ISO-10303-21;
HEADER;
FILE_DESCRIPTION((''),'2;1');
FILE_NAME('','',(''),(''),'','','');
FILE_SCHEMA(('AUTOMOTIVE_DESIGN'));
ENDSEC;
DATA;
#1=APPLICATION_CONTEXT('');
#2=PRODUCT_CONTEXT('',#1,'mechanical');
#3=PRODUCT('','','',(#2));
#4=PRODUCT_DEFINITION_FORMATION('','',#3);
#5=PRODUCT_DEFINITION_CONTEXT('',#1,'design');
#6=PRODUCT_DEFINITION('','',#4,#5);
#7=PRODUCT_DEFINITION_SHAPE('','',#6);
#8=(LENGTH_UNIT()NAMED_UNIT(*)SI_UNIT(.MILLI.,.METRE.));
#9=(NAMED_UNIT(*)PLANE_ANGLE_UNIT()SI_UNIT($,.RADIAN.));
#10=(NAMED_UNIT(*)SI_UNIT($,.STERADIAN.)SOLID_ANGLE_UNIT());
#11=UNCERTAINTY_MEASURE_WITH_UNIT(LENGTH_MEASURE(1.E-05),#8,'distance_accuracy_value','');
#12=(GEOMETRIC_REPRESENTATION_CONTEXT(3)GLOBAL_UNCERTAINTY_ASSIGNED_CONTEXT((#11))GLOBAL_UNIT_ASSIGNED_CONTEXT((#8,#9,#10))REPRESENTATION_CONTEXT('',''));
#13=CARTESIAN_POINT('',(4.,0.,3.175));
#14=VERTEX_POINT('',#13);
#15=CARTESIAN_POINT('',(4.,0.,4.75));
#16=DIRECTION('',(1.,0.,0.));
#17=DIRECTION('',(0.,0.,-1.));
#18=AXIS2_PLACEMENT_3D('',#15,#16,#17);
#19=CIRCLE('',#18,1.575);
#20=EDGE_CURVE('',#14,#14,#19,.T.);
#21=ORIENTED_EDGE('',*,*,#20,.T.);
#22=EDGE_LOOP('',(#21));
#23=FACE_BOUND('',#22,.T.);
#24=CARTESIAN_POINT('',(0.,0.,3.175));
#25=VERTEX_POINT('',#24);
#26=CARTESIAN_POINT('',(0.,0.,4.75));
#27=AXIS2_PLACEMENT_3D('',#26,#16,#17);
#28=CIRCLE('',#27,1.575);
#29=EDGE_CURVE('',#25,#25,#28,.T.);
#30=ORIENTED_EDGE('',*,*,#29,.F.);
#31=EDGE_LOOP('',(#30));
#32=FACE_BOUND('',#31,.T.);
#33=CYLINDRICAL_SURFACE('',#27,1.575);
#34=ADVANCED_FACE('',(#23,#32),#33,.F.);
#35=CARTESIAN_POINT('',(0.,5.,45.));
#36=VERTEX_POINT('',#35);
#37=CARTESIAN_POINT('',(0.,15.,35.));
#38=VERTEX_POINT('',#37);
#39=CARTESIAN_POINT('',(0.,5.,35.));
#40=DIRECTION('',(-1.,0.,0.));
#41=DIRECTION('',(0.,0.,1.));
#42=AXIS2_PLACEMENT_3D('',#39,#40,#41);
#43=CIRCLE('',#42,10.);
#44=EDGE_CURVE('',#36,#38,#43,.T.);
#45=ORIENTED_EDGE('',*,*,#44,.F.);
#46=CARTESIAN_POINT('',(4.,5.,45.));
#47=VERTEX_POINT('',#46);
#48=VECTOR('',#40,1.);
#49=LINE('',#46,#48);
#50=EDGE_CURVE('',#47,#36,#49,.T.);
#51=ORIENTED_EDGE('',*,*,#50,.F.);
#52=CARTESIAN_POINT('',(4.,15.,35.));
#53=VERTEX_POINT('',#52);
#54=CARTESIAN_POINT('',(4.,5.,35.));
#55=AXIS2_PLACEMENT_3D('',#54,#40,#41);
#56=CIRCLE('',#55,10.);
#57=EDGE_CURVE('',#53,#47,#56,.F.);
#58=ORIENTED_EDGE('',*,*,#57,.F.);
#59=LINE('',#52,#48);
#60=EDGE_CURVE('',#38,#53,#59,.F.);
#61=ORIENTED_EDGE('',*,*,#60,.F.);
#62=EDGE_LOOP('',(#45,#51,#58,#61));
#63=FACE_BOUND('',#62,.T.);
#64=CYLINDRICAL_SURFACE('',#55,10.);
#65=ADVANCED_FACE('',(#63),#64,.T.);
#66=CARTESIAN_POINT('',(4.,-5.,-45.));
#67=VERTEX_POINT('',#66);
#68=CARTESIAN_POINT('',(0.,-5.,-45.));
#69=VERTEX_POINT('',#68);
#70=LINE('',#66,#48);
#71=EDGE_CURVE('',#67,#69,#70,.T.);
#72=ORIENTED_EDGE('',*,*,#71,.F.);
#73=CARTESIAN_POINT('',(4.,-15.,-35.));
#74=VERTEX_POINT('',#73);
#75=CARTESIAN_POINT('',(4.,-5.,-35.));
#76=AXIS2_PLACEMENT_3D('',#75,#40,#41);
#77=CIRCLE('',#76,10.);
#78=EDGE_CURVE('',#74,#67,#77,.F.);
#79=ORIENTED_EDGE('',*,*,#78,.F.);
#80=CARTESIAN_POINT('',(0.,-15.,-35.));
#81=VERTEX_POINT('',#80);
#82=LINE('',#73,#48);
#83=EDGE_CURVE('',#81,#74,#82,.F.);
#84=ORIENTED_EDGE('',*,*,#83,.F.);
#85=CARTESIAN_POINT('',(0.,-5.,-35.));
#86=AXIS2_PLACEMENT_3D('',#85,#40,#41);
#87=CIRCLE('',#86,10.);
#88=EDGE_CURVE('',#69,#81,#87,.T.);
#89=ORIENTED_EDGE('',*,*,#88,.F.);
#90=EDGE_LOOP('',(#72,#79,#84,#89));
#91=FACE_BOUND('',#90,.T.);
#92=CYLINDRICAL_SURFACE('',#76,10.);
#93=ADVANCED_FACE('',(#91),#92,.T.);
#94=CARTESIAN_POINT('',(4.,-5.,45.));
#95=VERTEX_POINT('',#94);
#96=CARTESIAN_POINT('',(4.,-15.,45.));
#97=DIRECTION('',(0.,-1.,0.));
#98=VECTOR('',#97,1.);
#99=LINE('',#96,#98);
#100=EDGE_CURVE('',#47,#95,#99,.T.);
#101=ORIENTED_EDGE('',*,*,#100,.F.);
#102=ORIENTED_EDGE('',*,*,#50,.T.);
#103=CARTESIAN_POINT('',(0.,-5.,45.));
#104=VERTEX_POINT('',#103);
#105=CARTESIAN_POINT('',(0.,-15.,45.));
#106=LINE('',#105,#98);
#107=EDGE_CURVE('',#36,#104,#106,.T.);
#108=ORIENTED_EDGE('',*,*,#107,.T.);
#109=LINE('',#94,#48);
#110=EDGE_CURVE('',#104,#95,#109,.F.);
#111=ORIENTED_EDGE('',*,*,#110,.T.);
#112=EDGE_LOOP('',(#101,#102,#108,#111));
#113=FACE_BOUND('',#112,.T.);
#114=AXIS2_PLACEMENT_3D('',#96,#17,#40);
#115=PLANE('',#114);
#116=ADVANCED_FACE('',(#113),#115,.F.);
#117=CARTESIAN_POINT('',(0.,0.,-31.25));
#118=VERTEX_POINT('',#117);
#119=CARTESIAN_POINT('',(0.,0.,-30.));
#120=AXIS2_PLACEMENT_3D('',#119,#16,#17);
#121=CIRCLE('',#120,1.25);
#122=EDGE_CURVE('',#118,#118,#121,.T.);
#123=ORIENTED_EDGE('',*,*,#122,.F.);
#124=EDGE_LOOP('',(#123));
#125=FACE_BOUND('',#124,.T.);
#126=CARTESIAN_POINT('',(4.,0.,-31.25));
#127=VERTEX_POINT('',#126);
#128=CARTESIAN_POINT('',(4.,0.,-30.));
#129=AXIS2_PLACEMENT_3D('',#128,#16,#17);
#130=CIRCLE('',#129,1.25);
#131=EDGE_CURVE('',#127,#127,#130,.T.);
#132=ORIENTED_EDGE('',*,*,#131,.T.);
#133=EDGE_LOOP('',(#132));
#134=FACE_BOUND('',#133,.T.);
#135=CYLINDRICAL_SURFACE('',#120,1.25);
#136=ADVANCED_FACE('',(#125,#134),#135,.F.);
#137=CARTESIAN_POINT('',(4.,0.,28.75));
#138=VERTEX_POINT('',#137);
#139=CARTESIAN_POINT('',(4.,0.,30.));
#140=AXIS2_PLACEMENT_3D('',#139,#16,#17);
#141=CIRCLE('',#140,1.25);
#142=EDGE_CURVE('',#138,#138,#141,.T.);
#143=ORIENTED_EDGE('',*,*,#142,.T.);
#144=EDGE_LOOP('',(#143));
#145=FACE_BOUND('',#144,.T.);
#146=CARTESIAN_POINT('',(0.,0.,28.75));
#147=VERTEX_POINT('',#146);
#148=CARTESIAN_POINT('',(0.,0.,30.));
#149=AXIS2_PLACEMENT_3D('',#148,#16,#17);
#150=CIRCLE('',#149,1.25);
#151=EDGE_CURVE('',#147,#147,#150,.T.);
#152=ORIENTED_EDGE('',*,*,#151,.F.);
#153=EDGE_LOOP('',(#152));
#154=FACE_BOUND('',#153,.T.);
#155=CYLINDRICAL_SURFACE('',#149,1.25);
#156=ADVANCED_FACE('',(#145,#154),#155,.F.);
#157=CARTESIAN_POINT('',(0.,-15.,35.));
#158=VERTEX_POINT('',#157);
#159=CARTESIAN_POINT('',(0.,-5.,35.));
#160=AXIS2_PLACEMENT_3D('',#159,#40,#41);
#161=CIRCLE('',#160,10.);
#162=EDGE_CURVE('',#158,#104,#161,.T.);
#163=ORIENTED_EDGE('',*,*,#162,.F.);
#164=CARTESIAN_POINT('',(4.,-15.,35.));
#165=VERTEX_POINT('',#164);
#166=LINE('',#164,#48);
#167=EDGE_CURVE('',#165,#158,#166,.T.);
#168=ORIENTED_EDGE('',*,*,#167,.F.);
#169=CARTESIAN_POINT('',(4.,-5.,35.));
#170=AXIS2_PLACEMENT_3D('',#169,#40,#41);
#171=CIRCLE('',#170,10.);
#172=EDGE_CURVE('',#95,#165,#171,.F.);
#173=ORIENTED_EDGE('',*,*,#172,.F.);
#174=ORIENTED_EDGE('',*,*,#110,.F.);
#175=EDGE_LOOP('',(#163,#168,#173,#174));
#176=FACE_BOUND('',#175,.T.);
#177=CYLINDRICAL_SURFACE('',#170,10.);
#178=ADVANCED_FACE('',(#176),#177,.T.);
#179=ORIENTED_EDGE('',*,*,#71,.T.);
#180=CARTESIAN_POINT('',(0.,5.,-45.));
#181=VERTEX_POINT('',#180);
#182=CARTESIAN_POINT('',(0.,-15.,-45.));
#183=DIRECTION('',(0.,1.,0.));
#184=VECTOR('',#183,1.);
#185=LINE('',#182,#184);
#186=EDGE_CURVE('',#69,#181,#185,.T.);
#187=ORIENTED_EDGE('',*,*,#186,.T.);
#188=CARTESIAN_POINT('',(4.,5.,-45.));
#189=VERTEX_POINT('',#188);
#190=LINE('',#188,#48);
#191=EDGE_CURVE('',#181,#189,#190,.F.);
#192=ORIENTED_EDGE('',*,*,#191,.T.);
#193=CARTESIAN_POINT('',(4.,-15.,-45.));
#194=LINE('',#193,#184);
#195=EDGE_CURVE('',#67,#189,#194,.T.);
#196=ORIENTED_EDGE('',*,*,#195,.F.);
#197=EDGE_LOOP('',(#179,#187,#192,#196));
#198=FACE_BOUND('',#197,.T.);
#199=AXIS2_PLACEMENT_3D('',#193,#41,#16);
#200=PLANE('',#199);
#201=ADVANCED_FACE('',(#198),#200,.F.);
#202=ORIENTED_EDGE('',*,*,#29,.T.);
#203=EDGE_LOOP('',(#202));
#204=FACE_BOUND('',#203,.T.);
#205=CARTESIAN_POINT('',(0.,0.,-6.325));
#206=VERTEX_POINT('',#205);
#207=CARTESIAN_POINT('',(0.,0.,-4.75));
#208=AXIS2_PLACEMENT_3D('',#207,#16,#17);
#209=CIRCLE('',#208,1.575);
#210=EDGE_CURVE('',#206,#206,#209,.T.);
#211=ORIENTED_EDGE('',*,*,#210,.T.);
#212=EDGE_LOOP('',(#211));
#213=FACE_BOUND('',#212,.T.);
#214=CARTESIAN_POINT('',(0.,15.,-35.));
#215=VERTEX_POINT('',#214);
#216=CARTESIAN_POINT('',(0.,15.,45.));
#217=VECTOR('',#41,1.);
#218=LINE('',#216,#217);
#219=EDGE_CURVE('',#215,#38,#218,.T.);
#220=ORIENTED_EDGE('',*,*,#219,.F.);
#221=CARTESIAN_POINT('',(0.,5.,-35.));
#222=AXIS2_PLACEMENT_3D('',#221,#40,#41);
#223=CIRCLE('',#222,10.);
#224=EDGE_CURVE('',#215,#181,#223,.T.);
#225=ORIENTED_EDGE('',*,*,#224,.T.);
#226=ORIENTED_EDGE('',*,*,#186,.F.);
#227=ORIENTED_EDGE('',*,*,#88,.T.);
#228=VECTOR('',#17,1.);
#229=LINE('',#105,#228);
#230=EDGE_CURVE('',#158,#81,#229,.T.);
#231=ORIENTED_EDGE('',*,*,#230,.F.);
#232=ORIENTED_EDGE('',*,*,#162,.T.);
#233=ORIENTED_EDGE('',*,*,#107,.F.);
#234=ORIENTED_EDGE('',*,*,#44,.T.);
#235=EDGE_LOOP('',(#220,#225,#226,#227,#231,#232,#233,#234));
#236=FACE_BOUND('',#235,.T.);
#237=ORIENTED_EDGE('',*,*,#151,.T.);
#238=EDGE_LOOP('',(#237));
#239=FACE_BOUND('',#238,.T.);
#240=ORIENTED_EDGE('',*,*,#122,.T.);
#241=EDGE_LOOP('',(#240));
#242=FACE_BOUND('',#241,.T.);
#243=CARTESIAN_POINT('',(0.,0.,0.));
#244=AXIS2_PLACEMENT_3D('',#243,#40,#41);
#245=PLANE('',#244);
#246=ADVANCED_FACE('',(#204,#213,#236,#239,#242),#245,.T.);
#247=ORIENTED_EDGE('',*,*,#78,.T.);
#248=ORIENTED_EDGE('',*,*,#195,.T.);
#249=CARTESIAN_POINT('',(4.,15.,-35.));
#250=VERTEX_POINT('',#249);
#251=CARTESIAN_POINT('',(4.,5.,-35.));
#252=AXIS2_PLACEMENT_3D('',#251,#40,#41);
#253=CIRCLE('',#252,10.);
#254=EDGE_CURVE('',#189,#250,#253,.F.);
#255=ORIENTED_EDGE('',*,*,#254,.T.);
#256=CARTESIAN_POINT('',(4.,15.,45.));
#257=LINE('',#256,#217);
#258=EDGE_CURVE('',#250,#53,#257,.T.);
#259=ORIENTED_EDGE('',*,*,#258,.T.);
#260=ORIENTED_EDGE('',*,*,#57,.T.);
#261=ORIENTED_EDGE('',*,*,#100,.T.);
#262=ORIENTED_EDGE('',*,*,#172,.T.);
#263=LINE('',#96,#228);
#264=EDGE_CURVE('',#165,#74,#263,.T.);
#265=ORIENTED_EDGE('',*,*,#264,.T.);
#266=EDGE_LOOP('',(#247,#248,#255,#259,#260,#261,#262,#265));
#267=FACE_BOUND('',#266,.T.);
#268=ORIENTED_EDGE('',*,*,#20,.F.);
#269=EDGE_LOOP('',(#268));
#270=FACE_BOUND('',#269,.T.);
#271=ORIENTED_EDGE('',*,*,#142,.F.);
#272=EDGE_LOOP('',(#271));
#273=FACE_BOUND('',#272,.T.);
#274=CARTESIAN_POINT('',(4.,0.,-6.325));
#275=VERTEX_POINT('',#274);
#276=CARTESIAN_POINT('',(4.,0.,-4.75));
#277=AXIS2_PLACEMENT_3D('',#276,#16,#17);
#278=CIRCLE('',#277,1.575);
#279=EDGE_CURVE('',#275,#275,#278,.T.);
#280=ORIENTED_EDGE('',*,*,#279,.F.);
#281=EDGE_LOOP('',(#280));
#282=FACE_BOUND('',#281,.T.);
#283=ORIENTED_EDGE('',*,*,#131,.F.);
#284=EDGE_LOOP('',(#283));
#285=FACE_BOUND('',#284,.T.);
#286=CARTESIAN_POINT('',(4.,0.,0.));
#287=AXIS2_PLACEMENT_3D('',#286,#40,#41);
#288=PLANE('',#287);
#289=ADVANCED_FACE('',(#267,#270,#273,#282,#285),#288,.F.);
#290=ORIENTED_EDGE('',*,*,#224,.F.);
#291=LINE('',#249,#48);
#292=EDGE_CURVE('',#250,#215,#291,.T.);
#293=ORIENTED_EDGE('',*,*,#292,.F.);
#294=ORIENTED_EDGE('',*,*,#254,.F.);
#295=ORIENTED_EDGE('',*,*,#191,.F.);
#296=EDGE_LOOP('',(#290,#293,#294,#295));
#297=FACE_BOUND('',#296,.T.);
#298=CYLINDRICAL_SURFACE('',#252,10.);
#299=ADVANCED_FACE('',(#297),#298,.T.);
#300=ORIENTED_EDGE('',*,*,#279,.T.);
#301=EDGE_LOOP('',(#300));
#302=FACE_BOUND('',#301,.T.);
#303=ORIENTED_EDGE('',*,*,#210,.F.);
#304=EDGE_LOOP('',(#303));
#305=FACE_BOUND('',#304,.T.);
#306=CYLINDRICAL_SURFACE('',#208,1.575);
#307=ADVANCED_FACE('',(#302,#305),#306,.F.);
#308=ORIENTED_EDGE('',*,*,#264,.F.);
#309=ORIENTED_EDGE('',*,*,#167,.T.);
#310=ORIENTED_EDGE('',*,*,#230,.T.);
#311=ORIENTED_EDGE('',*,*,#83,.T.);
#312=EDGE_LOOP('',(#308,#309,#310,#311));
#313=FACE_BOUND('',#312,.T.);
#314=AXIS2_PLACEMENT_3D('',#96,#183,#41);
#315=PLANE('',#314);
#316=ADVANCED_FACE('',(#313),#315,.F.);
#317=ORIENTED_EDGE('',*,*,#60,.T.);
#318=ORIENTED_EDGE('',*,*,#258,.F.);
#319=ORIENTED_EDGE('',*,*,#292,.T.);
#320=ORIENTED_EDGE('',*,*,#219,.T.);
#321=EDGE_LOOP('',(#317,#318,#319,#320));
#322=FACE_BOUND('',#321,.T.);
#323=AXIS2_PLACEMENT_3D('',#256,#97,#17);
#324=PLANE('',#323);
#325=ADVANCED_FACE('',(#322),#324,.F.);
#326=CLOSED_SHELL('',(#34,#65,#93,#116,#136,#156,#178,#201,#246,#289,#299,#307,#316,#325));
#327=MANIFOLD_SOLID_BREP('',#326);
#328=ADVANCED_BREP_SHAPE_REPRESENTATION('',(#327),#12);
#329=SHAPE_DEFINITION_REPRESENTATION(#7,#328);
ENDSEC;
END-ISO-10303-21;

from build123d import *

# Parameters (mm, degrees)
SKETCH1_W           = 90
SKETCH1_H           = 30
BOSS_EXTRUDE1_DEPTH = 4
SKETCH6_R           = 1.575
CUT_EXTRUDE6_DEPTH  = 48.602520942
SKETCH7_R           = 1.575
CUT_EXTRUDE7_DEPTH  = 48.602520942
SKETCH13_R          = 1.25
CUT_EXTRUDE13_DEPTH = 48.602520942
SKETCH14_R          = 1.25
CUT_EXTRUDE14_DEPTH = 48.602520942
FILLET1_R           = 10


with BuildPart() as part:
    # Sketch1 → Boss-Extrude1 (new body)
    with BuildSketch(Plane(origin=(0, 0, 0), x_dir=(0, 0, -1), z_dir=(1, 0, 0))):
        Rectangle(SKETCH1_W, SKETCH1_H)
    extrude(amount=BOSS_EXTRUDE1_DEPTH)

    # Sketch6 → Cut-Extrude6 (cut, through all)
    with BuildSketch(Plane(origin=(4, 0, 0), x_dir=(0, 0, -1), z_dir=(1, 0, 0))):
        with Locations((-4.75, 0)):
            Circle(SKETCH6_R)
    extrude(amount=-CUT_EXTRUDE6_DEPTH, mode=Mode.SUBTRACT)

    # Sketch7 → Cut-Extrude7 (cut, through all)
    with BuildSketch(Plane(origin=(4, 0, 0), x_dir=(0, 0, -1), z_dir=(1, 0, 0))):
        with Locations((4.75, 0)):
            Circle(SKETCH7_R)
    extrude(amount=-CUT_EXTRUDE7_DEPTH, mode=Mode.SUBTRACT)

    # Sketch13 → Cut-Extrude13 (cut, through all)
    with BuildSketch(Plane(origin=(4, 0, 0), x_dir=(0, 0, -1), z_dir=(1, 0, 0))):
        with Locations((-30, 0)):
            Circle(SKETCH13_R)
    extrude(amount=-CUT_EXTRUDE13_DEPTH, mode=Mode.SUBTRACT)

    # Sketch14 → Cut-Extrude14 (cut, through all)
    with BuildSketch(Plane(origin=(4, 0, 0), x_dir=(0, 0, -1), z_dir=(1, 0, 0))):
        with Locations((30, 0)):
            Circle(SKETCH14_R)
    extrude(amount=-CUT_EXTRUDE14_DEPTH, mode=Mode.SUBTRACT)

    # Fillet1
    fillet1_edges = [part.edges().sort_by_distance(p)[0] for p in [
        (2, -15, -45),
        (2, -15, 45),
        (2, 15, 45),
        (2, 15, -45),
    ]]
    fillet(fillet1_edges, radius=FILLET1_R)


solid = part.part
